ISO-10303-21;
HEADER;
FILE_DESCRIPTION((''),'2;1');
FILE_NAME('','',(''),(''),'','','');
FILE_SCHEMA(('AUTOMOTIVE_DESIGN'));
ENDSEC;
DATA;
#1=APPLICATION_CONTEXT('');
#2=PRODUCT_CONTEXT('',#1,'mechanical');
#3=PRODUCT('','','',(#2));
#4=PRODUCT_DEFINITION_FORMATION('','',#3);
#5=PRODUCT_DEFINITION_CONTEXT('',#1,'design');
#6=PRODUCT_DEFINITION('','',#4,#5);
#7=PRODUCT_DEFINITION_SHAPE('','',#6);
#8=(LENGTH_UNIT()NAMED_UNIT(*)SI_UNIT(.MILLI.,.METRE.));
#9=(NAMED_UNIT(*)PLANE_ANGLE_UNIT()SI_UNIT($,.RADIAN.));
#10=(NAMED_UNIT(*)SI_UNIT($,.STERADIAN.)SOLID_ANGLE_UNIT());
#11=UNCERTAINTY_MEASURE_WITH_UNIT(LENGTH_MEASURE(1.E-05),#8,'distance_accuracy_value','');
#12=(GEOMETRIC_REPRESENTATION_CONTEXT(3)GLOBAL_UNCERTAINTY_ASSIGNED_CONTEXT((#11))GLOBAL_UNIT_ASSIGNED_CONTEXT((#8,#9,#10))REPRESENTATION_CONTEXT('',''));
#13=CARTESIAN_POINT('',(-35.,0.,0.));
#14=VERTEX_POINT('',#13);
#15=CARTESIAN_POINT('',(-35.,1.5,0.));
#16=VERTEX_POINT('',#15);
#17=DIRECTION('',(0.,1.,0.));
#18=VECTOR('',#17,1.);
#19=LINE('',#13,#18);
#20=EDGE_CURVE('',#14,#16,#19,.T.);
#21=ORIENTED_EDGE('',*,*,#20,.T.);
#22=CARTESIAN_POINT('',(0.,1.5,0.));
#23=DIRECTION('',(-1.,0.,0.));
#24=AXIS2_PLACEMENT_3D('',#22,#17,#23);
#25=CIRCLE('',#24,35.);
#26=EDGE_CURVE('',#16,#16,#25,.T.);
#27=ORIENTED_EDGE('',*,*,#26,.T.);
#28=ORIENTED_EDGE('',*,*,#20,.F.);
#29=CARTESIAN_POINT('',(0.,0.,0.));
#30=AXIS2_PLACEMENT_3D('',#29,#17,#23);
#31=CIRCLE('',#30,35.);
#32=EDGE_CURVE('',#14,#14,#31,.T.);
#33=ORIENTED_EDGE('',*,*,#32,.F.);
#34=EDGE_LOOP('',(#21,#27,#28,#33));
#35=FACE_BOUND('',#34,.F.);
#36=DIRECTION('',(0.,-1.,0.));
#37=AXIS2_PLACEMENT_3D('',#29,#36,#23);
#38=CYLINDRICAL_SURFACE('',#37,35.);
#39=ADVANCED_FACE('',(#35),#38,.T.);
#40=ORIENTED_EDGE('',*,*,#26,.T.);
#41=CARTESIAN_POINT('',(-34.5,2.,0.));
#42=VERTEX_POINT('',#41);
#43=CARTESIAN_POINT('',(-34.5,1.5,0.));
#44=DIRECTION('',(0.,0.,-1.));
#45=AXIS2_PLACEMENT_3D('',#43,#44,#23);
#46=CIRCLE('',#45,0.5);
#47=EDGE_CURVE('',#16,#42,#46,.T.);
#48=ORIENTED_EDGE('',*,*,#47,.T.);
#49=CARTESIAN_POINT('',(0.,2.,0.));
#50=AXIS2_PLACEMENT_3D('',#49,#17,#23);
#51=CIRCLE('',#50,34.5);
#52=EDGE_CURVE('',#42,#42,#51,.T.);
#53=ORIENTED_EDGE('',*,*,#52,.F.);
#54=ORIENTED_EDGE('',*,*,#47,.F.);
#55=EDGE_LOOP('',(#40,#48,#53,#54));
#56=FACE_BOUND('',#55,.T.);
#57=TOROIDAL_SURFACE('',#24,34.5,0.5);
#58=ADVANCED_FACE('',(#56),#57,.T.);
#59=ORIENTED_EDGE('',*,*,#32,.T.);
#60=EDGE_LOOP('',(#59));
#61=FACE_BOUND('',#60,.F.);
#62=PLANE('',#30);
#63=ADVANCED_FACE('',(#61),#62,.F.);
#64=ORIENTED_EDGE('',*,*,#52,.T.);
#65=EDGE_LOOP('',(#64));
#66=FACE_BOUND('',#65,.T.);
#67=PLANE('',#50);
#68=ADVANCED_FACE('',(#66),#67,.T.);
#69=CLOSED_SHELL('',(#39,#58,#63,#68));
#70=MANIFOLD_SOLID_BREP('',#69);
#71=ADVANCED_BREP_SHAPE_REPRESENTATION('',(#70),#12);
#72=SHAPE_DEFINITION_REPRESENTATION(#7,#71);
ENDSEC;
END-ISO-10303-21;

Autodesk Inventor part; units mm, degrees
ref_plane "YZ Plane" through (0, 0, 0) normal (1, 0, 0) x (0, 1, 0)
ref_plane "XZ Plane" through (0, 0, 0) normal (0, 1, 0) x (-1, 0, 0)
ref_plane "XY Plane" through (0, 0, 0) normal (0, 0, 1) x (1, 0, 0)
sketch "Sketch1" plane through (0, 0, 0) normal (0, 1, 0) x (-1, 0, 0)
  circle A0 centre (0, 0) radius 35
  dimension "d0" = 70
extrude "Extrusion1" add sketch "Sketch1" along normal blind 2
fillet "Fillet1" radius 0.5 1 edges at (35, 2, 0)
properties part number "LensV2"
